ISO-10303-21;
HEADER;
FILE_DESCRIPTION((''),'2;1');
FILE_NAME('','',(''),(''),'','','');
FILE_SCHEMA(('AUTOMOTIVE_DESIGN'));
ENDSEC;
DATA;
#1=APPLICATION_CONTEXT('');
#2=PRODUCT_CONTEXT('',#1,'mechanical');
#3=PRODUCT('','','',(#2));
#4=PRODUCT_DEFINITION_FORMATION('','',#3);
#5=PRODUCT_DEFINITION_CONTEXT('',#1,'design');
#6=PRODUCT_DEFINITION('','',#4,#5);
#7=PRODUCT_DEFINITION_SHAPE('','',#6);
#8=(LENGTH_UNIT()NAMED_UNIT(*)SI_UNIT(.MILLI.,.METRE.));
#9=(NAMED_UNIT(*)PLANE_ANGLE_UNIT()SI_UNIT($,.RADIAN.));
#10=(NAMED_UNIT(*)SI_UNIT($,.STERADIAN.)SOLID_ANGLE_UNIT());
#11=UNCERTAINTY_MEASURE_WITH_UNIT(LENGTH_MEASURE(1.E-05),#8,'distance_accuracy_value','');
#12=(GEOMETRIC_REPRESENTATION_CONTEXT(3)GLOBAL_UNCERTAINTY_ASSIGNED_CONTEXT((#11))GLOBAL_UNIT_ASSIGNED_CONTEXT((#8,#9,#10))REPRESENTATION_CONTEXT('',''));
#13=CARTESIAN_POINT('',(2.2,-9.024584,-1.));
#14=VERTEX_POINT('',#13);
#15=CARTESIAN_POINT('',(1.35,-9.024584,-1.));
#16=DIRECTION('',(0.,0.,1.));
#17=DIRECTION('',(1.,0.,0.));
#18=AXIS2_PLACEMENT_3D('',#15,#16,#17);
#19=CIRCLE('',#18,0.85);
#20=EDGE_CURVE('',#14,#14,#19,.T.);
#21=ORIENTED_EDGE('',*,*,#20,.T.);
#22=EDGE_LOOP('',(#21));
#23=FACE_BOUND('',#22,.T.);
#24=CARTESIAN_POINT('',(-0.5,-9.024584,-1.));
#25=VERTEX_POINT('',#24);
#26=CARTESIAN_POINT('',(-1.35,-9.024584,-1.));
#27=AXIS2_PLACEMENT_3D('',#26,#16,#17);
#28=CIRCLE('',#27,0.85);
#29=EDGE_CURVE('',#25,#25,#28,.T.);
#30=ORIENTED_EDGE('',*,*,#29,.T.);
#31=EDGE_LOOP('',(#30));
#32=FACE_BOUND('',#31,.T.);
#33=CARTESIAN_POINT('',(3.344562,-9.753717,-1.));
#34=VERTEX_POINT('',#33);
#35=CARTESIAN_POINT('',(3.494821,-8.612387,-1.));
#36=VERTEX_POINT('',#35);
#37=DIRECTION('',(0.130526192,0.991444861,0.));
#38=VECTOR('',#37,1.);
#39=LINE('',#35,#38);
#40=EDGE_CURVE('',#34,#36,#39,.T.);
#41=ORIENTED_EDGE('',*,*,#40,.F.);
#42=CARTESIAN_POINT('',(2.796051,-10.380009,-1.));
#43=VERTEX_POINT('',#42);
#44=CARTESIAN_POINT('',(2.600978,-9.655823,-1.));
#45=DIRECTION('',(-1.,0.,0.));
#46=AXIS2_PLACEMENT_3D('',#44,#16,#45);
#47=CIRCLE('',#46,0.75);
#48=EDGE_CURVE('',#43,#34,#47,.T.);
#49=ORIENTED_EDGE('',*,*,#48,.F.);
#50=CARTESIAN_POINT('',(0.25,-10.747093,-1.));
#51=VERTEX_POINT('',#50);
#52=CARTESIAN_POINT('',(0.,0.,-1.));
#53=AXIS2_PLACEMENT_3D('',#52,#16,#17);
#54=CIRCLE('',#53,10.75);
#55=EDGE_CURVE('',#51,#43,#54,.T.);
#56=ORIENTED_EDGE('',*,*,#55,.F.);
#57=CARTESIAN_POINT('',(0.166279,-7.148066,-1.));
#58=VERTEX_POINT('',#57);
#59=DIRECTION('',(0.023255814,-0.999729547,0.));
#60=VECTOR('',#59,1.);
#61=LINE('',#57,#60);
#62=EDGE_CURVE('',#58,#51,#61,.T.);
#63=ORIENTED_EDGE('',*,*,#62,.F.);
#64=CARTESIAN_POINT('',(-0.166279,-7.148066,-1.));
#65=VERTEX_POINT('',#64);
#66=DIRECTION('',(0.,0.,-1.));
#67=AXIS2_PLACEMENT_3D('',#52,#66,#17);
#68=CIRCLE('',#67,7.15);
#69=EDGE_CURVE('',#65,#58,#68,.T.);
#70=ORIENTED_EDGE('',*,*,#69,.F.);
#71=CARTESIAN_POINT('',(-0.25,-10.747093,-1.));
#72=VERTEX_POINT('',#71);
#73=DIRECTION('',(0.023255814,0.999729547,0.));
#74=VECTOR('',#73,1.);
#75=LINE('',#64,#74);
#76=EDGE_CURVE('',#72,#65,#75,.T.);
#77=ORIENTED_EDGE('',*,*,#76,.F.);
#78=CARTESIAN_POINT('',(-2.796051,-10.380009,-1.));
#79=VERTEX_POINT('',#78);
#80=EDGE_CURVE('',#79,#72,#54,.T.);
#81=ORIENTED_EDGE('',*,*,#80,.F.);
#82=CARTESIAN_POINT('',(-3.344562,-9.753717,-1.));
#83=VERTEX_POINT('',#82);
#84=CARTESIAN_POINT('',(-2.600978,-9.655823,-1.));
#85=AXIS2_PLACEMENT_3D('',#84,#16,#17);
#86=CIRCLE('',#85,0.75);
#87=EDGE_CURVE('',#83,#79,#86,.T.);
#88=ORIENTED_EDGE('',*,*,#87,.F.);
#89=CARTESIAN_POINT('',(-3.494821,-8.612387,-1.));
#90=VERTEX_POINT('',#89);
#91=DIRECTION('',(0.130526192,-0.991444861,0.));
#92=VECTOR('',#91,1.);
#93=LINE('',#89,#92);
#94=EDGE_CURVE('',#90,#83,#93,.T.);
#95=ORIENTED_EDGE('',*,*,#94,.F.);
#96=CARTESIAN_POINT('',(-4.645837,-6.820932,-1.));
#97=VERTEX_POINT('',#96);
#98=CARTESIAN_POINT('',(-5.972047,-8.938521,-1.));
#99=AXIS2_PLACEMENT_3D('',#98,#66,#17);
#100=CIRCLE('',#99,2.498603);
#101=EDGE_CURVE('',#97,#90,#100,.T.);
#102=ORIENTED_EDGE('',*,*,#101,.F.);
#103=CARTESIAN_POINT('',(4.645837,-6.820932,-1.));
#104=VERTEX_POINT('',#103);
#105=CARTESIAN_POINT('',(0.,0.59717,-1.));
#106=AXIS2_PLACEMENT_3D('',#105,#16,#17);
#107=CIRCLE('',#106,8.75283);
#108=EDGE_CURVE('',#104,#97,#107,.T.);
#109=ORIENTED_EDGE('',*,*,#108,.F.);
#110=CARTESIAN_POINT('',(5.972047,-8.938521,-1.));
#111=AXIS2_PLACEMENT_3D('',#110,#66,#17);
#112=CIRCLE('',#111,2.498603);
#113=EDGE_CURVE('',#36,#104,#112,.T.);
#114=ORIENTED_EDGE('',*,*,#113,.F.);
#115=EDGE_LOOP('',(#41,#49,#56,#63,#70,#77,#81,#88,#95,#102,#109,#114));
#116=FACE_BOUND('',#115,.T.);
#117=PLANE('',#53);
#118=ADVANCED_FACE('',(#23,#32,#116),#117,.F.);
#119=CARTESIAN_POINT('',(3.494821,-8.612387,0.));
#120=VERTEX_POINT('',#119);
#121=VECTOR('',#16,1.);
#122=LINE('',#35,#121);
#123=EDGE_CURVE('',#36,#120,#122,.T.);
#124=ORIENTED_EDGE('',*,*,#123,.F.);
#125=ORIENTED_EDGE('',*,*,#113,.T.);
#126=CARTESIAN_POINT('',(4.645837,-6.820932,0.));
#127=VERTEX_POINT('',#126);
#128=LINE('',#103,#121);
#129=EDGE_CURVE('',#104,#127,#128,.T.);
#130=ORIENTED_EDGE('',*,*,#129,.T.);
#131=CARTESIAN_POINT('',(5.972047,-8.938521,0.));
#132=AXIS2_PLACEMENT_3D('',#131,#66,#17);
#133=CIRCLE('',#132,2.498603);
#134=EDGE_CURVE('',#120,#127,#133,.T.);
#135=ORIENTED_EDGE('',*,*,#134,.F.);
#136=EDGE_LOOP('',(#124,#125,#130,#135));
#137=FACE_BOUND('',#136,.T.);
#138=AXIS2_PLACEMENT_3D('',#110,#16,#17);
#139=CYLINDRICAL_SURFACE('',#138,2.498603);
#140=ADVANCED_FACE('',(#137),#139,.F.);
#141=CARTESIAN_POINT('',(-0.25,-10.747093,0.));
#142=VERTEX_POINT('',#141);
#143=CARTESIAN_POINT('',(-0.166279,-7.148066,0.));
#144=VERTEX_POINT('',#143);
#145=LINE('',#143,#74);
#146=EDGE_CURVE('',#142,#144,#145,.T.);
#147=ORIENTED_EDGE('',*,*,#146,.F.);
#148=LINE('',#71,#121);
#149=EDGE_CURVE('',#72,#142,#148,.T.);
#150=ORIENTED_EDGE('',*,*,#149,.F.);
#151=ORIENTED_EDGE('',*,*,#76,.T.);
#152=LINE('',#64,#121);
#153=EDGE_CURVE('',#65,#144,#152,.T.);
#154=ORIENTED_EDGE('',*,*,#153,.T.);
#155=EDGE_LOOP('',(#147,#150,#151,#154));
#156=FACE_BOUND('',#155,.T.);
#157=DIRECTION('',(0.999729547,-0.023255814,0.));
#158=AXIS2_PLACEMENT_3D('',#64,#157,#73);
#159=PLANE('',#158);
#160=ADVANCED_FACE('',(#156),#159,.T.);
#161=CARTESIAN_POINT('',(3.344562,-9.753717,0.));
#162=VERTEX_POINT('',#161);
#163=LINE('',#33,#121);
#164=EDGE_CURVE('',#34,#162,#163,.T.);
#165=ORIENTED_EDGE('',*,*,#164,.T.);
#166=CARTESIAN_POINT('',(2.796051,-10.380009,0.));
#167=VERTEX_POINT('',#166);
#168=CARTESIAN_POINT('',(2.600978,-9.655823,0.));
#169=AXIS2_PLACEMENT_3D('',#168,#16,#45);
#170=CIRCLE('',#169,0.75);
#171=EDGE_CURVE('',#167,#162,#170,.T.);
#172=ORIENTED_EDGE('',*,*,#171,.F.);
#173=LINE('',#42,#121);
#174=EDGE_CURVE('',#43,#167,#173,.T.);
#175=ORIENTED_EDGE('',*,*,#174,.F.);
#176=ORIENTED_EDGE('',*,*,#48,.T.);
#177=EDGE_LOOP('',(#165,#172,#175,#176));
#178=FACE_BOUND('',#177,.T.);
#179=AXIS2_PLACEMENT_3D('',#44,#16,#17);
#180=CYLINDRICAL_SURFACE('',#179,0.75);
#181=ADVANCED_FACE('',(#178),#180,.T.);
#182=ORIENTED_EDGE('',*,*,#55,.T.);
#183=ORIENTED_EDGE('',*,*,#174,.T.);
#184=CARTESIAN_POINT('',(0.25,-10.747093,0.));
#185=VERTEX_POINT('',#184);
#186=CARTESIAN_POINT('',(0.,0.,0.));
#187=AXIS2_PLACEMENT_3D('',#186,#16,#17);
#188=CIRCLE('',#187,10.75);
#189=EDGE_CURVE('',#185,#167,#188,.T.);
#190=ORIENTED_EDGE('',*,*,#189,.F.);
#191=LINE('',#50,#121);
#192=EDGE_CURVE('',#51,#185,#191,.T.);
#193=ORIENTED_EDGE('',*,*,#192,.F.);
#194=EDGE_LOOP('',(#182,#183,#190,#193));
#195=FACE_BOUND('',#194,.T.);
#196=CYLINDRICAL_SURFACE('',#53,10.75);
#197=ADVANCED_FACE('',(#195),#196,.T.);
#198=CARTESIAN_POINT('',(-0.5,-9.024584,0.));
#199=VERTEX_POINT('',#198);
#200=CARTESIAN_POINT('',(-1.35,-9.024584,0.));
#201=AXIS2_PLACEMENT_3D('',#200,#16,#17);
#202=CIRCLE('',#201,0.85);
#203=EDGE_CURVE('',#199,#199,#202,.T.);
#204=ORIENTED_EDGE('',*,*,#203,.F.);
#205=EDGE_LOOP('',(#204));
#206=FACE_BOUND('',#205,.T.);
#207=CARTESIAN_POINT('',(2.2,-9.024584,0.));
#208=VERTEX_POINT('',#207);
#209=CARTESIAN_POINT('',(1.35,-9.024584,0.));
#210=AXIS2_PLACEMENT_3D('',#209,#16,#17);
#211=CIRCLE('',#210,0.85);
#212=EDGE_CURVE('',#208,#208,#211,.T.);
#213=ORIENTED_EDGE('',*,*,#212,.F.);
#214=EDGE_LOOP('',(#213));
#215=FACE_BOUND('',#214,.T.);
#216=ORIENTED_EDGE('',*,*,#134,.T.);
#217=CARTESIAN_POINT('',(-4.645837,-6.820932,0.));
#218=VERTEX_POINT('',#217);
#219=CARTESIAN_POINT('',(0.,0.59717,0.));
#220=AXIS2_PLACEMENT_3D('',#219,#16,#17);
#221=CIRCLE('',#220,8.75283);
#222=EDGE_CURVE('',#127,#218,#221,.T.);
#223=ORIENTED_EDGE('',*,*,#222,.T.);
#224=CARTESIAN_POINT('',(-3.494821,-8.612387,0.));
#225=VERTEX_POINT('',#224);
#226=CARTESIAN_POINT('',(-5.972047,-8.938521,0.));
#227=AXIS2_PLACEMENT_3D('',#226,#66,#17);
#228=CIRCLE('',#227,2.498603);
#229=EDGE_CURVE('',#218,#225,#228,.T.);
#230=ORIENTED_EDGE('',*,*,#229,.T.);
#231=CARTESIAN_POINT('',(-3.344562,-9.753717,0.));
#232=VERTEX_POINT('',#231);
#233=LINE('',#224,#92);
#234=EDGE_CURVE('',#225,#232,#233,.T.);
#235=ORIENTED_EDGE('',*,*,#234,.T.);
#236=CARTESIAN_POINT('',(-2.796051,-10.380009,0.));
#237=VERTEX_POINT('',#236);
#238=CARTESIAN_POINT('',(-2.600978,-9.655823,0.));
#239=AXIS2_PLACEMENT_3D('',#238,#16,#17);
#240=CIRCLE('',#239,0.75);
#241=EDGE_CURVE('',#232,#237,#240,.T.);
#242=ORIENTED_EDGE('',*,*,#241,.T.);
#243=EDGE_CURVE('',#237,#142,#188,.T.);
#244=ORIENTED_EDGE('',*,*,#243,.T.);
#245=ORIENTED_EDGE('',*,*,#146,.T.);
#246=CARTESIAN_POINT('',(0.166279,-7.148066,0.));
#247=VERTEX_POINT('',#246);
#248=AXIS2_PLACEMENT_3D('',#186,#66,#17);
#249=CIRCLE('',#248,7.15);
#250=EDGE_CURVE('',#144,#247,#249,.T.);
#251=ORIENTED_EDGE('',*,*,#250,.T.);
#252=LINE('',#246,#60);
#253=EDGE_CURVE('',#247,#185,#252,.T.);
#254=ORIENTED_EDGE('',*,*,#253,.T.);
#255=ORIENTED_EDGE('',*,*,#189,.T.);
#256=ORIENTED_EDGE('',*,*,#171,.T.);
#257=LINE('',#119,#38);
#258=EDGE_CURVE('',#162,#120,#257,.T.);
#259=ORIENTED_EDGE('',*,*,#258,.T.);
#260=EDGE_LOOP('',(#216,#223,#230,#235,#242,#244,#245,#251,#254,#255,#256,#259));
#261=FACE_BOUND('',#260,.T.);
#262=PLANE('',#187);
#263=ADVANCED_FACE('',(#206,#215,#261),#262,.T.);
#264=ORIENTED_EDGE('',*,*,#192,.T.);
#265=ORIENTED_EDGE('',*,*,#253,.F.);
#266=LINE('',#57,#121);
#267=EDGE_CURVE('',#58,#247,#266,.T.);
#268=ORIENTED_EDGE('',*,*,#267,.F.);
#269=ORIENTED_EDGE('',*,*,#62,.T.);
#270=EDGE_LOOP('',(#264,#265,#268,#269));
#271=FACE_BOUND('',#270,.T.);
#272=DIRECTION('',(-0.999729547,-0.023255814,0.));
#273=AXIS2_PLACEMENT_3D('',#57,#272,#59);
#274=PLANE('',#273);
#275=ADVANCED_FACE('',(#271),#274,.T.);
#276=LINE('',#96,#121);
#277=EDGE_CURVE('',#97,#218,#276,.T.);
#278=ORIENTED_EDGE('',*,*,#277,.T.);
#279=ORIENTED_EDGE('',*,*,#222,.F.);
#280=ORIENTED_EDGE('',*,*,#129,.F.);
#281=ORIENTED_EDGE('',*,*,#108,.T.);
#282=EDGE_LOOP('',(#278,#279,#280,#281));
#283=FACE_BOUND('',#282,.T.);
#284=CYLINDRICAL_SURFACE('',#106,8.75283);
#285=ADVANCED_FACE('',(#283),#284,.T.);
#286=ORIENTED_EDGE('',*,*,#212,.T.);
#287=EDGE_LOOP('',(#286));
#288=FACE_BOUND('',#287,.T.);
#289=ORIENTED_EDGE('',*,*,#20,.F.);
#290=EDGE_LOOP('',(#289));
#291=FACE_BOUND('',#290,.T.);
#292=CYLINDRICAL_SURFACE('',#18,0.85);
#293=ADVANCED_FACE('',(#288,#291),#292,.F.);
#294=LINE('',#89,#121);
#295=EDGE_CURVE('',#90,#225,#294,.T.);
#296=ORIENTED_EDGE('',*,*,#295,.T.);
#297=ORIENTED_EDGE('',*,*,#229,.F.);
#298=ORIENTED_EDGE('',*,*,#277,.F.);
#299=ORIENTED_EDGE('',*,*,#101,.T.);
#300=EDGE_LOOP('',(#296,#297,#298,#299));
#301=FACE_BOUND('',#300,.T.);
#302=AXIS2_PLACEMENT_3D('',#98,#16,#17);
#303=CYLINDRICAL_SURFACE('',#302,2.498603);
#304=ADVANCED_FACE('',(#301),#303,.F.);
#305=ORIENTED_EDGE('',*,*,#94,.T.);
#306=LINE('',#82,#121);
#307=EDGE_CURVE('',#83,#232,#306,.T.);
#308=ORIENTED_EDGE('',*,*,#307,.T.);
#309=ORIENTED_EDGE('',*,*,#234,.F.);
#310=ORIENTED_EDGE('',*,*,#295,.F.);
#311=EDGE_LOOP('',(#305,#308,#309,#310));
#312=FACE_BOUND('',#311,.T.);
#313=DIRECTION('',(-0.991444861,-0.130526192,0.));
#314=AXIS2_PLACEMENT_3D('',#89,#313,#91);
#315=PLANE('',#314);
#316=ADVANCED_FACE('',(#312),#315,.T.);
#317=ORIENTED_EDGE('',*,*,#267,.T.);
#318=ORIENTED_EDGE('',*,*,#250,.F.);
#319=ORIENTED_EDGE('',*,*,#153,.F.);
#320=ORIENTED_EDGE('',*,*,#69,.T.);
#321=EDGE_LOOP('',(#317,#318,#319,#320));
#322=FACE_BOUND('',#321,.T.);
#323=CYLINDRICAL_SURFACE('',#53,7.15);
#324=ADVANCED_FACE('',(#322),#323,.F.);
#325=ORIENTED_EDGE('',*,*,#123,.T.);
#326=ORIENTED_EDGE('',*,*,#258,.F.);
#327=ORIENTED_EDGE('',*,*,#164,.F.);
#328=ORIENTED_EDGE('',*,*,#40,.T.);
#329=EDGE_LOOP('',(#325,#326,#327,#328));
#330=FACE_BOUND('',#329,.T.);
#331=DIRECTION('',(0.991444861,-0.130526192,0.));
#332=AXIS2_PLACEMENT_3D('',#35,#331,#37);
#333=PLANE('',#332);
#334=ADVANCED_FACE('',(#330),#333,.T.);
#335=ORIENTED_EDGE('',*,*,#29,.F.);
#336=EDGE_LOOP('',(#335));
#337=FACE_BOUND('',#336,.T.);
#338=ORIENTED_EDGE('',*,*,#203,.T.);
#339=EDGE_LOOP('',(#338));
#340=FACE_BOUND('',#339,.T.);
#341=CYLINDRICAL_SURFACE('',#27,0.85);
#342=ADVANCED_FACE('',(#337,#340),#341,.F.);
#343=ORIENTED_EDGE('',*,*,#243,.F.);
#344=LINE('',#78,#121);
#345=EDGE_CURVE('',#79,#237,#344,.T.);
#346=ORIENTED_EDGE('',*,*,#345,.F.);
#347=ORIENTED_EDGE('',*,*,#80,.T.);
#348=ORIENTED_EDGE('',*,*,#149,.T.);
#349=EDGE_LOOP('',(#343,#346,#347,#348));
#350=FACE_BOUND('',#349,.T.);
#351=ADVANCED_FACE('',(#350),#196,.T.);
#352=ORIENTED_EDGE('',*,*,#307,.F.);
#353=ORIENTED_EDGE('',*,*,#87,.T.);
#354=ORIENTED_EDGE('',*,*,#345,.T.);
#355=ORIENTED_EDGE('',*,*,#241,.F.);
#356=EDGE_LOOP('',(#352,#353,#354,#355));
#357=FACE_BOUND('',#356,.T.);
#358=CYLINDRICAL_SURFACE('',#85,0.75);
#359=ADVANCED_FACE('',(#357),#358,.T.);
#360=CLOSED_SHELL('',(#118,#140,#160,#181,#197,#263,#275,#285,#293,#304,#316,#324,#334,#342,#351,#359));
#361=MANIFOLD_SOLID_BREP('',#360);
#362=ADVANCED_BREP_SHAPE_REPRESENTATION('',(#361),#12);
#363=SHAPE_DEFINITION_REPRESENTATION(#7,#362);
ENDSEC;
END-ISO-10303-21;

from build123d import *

# Parameters (mm, degrees)
BODYSKE_R  = 0.85
BODY_DEPTH = 1


with BuildPart() as part:
    # BodySke → Body (new body)
    with BuildSketch(Plane.XY):
        with BuildLine():
            Line((0.16627907, -7.148066261), (0.25, -10.74709263))
            ThreePointArc((0.25, -10.74709263), (1.53404529, -10.63998144), (2.7960515, -10.380009442))
            ThreePointArc((2.7960515, -10.380009442), (3.165185265, -10.149958669), (3.344561785, -9.753717381))
            Line((3.344561785, -9.753717381), (3.494820725, -8.612387425))
            ThreePointArc((3.494820725, -8.612387425), (3.86993843, -7.587908532), (4.645836509, -6.820932349))
            ThreePointArc((4.645836509, -6.820932349), (0, 9.35), (-4.645836509, -6.820932349))
            ThreePointArc((-4.645836509, -6.820932349), (-3.86993843, -7.587908532), (-3.494820725, -8.612387425))
            Line((-3.494820725, -8.612387425), (-3.344561785, -9.753717381))
            ThreePointArc((-3.344561785, -9.753717381), (-3.165185265, -10.149958669), (-2.7960515, -10.380009442))
            ThreePointArc((-2.7960515, -10.380009442), (-1.53404529, -10.63998144), (-0.25, -10.74709263))
            Line((-0.25, -10.74709263), (-0.16627907, -7.148066261))
            ThreePointArc((-0.16627907, -7.148066261), (0, 7.15), (0.16627907, -7.148066261))
        make_face()
        with Locations((1.35, -9.024584478)):
            Circle(BODYSKE_R, mode=Mode.SUBTRACT)
        with Locations((-1.35, -9.024584478)):
            Circle(BODYSKE_R, mode=Mode.SUBTRACT)
    extrude(amount=-BODY_DEPTH)


solid = part.part
